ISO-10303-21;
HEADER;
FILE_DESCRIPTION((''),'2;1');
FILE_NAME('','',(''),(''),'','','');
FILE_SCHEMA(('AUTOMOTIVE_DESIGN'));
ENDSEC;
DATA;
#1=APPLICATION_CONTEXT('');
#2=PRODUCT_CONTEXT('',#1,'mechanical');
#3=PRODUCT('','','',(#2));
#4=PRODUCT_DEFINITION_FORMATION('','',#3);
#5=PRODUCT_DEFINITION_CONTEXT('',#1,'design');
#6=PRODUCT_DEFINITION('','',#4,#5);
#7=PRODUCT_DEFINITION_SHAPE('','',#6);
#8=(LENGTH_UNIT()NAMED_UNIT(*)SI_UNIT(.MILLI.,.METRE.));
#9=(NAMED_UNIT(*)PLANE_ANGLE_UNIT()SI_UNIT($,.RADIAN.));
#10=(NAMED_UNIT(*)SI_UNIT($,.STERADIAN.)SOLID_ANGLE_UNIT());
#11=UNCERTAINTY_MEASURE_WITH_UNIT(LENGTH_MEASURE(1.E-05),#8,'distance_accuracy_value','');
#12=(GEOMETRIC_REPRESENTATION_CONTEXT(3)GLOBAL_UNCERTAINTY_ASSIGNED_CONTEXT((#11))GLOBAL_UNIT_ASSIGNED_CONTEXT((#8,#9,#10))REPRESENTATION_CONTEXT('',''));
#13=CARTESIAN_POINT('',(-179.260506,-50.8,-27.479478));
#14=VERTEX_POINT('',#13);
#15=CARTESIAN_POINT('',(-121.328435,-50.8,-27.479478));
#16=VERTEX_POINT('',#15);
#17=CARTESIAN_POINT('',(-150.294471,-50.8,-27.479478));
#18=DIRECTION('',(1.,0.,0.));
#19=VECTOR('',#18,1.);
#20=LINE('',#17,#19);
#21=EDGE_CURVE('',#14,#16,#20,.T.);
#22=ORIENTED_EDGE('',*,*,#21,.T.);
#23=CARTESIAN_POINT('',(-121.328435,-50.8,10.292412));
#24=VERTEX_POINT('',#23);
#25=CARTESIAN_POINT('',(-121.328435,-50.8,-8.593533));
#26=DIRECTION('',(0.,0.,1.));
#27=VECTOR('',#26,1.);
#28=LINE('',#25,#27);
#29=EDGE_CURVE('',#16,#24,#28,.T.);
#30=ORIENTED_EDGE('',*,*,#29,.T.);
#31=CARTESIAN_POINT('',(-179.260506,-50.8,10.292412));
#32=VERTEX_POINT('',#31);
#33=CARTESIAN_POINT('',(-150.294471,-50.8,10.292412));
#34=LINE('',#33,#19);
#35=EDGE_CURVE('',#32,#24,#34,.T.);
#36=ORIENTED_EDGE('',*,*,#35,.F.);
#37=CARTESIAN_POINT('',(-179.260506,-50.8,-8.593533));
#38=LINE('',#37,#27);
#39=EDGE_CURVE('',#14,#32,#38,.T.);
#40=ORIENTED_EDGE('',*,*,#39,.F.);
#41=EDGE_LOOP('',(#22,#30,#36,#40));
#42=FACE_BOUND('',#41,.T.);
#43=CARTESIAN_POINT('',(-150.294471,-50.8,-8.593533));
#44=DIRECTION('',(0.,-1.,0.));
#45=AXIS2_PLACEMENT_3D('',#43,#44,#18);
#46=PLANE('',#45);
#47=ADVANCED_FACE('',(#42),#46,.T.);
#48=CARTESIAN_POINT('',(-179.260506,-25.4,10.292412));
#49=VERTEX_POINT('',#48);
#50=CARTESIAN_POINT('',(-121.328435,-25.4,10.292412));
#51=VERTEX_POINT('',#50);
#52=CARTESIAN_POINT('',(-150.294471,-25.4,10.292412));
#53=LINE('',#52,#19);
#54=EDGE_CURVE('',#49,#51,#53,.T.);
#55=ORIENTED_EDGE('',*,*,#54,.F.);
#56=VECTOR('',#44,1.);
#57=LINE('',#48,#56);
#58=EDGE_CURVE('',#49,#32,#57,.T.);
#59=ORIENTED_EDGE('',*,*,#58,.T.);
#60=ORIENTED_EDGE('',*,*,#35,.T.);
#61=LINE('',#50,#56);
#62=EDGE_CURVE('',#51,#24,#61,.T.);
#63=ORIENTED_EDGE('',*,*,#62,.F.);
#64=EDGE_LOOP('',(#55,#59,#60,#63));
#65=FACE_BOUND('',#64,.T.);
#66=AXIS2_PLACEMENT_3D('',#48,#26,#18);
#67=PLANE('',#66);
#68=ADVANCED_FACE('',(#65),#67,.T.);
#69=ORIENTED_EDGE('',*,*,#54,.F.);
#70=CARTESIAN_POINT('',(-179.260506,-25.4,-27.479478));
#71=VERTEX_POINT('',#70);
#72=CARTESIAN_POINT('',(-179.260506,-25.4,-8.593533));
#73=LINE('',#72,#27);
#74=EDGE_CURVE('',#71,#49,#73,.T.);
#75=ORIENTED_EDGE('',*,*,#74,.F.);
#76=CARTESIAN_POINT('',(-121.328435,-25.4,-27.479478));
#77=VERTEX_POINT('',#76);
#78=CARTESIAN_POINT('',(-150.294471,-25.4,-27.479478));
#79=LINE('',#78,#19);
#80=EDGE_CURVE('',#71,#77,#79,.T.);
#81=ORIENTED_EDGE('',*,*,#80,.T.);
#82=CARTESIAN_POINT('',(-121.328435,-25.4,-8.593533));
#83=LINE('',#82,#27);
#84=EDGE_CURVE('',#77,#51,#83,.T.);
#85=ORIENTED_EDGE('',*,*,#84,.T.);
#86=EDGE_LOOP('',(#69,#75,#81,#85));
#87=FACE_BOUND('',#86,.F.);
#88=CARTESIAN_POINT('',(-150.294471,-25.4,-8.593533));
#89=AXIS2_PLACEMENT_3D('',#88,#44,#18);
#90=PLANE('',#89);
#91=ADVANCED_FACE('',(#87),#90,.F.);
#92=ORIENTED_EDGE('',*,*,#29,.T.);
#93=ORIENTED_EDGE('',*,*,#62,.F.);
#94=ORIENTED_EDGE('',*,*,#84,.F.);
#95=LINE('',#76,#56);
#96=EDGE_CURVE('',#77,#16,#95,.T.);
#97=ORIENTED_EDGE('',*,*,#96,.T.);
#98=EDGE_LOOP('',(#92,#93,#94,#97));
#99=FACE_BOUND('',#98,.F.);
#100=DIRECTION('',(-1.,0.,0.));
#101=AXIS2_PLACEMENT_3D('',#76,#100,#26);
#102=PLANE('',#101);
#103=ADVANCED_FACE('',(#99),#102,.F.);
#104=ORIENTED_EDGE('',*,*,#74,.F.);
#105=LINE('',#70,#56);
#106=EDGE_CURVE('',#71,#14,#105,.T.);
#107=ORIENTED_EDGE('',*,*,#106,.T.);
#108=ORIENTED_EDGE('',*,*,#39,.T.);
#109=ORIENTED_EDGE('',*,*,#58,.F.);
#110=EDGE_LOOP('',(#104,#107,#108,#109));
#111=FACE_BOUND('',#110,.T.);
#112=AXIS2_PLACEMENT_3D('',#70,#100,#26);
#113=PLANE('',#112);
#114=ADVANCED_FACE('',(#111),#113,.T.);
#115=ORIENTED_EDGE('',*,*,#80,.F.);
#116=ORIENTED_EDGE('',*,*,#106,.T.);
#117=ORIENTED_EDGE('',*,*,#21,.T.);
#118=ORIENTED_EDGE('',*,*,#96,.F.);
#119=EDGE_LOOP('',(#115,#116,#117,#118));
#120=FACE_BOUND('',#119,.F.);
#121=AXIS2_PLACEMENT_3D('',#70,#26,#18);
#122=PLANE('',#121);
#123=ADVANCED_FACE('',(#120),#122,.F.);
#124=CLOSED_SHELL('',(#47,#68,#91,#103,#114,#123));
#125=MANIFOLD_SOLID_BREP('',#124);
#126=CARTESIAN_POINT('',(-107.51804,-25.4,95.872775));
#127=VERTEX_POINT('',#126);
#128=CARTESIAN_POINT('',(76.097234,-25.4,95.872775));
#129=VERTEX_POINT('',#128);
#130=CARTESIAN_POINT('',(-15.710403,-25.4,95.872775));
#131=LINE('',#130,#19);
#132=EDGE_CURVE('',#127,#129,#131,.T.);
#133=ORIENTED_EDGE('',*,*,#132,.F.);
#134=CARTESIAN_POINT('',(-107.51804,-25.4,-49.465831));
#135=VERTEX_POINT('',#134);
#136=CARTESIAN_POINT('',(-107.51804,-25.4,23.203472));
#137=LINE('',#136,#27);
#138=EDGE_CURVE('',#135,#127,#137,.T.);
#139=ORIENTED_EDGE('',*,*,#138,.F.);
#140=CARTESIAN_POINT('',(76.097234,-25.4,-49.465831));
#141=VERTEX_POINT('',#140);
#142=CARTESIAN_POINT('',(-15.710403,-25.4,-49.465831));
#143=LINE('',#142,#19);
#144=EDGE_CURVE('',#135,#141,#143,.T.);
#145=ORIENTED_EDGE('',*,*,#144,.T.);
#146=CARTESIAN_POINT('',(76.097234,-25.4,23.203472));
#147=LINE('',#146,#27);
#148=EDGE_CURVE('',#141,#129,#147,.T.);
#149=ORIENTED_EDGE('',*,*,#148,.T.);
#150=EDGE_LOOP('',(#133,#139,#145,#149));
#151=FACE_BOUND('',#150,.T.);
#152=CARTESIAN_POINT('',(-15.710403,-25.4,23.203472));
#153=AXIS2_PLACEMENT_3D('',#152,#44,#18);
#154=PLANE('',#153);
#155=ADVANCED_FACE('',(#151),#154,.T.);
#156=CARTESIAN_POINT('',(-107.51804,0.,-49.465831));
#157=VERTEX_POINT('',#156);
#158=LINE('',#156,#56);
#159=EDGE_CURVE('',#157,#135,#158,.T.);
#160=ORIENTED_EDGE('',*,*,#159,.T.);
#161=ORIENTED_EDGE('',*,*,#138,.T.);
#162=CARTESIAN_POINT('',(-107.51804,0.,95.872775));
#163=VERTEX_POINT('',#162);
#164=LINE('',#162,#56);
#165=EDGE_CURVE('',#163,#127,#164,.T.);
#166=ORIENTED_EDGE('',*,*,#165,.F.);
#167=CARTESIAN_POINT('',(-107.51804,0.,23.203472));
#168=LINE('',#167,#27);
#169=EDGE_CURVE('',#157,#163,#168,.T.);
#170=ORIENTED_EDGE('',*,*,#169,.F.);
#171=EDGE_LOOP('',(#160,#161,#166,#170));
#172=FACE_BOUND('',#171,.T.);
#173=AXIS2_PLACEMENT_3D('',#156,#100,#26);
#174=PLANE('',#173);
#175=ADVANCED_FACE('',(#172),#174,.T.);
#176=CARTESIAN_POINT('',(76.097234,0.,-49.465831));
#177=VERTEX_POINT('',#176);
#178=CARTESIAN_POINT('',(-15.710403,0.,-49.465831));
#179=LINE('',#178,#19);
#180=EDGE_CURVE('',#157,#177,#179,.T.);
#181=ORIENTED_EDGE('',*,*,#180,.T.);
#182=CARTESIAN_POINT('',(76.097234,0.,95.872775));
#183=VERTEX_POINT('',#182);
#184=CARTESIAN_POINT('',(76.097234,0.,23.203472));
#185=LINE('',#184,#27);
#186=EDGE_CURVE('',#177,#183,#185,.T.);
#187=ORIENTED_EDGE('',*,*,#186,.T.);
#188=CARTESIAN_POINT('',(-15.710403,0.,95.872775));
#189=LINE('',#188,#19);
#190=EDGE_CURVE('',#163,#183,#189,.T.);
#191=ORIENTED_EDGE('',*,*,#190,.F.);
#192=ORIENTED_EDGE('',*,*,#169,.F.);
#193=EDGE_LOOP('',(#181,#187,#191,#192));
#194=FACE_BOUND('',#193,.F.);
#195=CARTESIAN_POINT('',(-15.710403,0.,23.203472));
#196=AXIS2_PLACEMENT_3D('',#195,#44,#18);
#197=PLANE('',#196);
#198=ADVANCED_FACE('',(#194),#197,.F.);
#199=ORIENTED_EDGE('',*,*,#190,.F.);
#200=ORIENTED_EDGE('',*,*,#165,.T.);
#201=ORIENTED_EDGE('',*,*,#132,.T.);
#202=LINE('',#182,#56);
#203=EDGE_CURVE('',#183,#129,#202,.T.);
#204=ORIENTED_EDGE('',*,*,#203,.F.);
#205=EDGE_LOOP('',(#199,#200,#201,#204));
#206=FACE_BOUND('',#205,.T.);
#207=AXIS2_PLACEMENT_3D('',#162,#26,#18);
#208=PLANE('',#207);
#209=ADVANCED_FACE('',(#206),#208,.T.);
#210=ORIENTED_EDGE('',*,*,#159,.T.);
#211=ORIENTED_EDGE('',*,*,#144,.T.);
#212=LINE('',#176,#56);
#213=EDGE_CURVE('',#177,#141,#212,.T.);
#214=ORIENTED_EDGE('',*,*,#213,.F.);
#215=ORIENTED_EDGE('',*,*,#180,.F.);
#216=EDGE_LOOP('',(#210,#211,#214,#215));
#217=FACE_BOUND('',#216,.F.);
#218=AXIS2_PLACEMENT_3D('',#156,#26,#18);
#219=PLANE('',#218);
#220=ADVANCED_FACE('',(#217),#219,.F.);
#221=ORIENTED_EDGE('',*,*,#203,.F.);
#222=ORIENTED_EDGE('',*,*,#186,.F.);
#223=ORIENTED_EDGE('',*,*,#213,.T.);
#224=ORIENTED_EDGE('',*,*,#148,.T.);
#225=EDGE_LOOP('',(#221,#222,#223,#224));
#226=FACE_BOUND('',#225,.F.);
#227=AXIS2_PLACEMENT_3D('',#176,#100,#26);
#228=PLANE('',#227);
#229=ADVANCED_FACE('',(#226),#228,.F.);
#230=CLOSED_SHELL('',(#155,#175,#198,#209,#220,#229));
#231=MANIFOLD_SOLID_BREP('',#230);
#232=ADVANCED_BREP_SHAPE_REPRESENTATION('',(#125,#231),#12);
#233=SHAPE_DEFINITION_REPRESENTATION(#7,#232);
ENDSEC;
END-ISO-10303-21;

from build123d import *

# Parameters (mm, degrees)
F0_W     = 183.615275
F0_H     = 145.338606
F1_DEPTH = 25.4
F2_W     = 57.932071
F2_H     = 37.771889
F3_DEPTH = 25.4


with BuildPart() as f1:
    # F0 (on Front) → F1 (new body)
    with BuildSketch(Plane.XZ):
        with Locations((-15.710403, 23.203472)):
            Rectangle(F0_W, F0_H)
    extrude(amount=F1_DEPTH)


with BuildPart() as f3:
    # F2 (on face) → F3 (new body)
    with BuildSketch(Plane.XZ.offset(25.4)):
        with Locations((-150.294471, -8.593533)):
            Rectangle(F2_W, F2_H)
    extrude(amount=F3_DEPTH)


solid = Compound([f1.part, f3.part])
